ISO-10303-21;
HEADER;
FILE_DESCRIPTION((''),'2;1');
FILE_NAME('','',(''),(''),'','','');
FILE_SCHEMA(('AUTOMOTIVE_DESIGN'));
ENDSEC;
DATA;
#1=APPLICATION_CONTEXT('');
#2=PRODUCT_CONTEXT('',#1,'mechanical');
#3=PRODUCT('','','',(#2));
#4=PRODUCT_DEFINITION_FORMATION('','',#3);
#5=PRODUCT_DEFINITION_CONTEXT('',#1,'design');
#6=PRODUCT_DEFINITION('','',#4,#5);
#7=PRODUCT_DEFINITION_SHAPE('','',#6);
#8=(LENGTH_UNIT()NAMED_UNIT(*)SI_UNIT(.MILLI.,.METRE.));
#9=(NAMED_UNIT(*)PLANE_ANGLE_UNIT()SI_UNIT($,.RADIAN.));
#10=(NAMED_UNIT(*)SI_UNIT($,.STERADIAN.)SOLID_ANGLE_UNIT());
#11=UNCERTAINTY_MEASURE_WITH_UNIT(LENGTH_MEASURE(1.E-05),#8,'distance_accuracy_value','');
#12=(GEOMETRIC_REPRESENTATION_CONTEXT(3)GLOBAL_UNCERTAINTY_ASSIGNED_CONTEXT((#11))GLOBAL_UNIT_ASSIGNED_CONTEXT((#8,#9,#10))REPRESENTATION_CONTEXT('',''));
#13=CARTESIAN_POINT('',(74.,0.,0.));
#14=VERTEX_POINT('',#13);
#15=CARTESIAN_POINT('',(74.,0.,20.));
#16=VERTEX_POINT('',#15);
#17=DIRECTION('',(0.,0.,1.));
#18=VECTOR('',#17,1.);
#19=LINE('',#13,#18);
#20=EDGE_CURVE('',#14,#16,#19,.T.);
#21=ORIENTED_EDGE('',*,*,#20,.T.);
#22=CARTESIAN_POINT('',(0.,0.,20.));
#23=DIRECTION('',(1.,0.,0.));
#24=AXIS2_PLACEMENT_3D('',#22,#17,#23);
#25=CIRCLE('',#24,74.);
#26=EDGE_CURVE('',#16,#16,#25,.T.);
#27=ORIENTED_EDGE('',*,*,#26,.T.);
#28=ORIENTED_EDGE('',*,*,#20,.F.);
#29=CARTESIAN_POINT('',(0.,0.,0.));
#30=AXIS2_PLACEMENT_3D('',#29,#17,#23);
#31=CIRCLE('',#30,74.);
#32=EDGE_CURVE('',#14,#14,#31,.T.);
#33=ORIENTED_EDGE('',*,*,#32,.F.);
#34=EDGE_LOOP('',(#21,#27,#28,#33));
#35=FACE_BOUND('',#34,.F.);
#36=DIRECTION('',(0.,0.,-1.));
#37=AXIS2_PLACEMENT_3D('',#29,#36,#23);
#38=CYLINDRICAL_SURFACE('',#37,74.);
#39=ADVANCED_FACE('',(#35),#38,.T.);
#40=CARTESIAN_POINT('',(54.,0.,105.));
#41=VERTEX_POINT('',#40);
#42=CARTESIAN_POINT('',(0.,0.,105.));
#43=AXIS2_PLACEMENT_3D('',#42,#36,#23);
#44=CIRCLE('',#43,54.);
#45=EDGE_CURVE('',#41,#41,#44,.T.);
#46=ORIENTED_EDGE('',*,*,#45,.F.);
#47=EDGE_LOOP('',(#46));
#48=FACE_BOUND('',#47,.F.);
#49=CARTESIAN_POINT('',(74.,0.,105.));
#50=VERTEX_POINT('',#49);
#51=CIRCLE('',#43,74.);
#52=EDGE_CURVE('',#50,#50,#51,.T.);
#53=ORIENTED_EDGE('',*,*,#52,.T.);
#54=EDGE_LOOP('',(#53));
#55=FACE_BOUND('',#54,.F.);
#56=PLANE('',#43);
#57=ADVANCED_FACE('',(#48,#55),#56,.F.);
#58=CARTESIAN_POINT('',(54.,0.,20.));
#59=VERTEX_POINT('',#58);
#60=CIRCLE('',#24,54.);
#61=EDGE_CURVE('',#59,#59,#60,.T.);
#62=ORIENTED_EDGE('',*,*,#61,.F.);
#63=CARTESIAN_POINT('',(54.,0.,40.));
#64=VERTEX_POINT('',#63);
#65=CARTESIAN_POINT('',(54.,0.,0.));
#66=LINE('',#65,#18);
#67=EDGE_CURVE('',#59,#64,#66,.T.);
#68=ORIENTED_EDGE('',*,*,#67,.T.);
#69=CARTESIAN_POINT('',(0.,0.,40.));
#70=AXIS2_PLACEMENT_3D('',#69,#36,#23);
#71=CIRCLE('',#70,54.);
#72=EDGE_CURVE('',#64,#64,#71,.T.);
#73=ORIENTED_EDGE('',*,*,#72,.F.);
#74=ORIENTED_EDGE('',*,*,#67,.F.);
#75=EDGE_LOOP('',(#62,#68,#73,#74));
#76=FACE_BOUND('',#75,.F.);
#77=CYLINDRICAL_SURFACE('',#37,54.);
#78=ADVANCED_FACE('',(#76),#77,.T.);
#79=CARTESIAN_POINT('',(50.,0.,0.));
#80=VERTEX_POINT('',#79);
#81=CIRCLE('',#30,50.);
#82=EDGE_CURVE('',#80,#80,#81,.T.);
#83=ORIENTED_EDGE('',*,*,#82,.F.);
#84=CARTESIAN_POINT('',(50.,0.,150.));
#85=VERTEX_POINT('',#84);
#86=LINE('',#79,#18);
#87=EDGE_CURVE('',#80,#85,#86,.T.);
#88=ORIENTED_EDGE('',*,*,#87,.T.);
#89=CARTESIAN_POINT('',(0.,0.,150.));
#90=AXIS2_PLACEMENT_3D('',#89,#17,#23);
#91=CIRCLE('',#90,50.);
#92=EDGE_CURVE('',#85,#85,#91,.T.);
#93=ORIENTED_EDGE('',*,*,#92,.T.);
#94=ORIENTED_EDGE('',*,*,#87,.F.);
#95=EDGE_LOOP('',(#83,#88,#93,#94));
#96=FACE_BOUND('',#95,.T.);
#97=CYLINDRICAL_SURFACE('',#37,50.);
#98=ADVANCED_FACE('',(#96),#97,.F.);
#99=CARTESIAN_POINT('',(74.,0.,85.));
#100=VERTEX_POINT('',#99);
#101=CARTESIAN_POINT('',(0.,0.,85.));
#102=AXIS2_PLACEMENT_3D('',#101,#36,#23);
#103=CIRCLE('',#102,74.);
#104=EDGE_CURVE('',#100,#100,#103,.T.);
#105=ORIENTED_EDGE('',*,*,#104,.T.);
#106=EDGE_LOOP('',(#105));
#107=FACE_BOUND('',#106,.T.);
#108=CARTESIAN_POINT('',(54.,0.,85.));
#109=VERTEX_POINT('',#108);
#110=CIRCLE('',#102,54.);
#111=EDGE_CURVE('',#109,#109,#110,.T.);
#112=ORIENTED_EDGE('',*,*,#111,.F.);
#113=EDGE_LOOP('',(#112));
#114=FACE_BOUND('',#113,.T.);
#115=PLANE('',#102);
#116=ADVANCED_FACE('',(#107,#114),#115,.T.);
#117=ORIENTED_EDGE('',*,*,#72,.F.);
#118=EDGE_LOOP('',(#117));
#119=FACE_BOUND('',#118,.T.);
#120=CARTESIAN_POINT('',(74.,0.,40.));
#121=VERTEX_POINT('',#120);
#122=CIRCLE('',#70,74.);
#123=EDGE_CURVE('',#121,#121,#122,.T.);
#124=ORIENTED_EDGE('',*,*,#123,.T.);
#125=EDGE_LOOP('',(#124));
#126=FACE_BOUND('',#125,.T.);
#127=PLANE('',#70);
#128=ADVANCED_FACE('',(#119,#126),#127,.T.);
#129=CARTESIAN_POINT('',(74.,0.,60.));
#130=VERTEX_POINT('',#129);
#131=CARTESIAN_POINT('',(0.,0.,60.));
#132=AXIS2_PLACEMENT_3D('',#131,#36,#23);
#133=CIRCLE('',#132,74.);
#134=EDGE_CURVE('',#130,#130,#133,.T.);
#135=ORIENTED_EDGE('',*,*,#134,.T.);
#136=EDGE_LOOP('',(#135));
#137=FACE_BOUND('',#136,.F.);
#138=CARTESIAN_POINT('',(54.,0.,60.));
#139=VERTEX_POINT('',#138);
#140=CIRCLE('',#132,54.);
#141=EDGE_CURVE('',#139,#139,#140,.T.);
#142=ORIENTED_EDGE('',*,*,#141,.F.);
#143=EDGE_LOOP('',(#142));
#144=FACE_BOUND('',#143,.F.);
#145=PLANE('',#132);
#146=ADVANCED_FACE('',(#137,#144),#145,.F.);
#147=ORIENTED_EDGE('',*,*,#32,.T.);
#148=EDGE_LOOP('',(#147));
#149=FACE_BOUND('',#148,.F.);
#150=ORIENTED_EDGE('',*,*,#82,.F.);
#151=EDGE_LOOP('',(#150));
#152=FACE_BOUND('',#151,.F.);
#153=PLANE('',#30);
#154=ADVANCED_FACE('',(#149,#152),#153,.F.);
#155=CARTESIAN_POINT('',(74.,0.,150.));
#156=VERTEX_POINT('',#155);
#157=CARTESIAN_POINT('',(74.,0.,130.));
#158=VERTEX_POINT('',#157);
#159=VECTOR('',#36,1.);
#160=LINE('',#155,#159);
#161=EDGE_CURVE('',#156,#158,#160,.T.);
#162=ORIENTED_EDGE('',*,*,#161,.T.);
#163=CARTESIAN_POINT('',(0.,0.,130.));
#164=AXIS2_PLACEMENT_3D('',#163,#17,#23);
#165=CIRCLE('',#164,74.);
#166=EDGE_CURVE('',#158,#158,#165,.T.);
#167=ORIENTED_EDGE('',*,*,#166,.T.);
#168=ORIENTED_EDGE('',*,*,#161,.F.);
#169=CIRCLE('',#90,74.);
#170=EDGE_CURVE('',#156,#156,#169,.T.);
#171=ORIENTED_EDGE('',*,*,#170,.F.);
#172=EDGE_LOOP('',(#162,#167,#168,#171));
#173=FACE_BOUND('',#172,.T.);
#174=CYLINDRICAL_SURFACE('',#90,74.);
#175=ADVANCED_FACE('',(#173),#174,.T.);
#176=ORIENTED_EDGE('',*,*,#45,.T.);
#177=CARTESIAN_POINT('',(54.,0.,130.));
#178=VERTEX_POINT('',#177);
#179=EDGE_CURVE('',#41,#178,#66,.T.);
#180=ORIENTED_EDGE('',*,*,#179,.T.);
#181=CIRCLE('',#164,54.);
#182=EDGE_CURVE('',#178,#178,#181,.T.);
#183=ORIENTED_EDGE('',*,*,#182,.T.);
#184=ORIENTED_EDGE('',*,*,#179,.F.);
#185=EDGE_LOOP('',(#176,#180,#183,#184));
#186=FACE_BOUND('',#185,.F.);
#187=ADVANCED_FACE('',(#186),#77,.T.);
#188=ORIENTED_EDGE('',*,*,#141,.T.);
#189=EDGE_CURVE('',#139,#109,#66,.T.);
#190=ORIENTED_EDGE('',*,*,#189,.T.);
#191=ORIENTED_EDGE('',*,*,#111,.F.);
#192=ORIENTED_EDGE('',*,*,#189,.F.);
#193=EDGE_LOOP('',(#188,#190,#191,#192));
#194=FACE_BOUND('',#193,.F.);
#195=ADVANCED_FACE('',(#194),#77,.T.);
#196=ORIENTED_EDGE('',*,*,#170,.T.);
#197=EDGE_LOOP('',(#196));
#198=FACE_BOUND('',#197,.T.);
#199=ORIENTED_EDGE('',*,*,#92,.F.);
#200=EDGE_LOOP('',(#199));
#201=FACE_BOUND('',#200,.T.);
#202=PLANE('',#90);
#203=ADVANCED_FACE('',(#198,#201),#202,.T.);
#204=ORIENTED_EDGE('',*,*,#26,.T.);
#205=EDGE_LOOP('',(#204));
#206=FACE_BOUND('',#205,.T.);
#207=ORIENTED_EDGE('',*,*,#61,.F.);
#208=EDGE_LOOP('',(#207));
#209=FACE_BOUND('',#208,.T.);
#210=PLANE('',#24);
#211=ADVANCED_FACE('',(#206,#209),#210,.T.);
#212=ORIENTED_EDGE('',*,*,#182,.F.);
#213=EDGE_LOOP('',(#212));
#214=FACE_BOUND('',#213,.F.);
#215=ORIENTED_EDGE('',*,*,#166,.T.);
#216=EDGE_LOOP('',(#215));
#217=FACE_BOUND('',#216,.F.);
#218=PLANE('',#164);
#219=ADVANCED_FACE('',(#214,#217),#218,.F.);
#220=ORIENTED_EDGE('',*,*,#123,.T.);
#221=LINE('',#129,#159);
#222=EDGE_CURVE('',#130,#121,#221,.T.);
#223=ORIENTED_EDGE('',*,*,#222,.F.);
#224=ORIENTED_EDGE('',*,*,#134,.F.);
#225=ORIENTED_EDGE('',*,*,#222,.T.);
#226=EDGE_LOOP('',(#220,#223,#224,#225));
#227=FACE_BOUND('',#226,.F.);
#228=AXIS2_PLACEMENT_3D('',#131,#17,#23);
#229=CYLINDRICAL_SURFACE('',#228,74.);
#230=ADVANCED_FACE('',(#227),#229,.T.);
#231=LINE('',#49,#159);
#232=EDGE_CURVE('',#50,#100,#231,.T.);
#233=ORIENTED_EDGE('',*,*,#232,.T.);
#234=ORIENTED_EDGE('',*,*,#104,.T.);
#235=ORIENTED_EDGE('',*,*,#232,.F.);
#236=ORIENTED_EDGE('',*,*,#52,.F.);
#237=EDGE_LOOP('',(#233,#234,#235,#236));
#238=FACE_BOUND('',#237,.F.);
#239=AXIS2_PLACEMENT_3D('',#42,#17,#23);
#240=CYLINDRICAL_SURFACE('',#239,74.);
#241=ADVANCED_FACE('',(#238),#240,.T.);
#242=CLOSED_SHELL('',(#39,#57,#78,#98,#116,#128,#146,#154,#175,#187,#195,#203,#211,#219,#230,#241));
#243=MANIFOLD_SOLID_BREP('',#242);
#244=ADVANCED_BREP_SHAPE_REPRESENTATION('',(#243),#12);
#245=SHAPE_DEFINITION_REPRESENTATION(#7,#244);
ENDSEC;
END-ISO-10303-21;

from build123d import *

# Parameters (mm, degrees)
F0_R      = 54
F0_R_2    = 50
F1_DEPTH  = 150
F2_R      = 74
F2_R_2    = 54
F3_DEPTH  = 20
F4_R      = 74
F4_R_2    = 54
F5_DEPTH  = 20
F7_R      = 74
F7_R_2    = 54
F8_DEPTH  = 20
F10_R     = 74
F10_R_2   = 54
F11_DEPTH = 20


with BuildPart() as f1:
    # F0 (on Top) → F1 (new body)
    with BuildSketch(Plane.XY):
        Circle(F0_R)
        Circle(F0_R_2, mode=Mode.SUBTRACT)
    extrude(amount=F1_DEPTH)

    # F2 (on Top) → F3 (join)
    with BuildSketch(Plane.XY):
        Circle(F2_R)
        Circle(F2_R_2, mode=Mode.SUBTRACT)
    extrude(amount=F3_DEPTH)

    # F4 (on face) → F5 (join)
    with BuildSketch(Plane.XY.offset(150)):
        Circle(F4_R)
        Circle(F4_R_2, mode=Mode.SUBTRACT)
    extrude(amount=-F5_DEPTH)

    # F7 (on offset) → F8 (join)
    with BuildSketch(Plane(origin=(0, 0, 105), x_dir=(1, 0, 0), z_dir=(0, 0, -1))):
        Circle(F7_R)
        Circle(F7_R_2, mode=Mode.SUBTRACT)
    extrude(amount=F8_DEPTH)

    # F10 (on offset) → F11 (join)
    with BuildSketch(Plane(origin=(0, 0, 60), x_dir=(1, 0, 0), z_dir=(0, 0, -1))):
        Circle(F10_R)
        Circle(F10_R_2, mode=Mode.SUBTRACT)
    extrude(amount=F11_DEPTH)


solid = f1.part
